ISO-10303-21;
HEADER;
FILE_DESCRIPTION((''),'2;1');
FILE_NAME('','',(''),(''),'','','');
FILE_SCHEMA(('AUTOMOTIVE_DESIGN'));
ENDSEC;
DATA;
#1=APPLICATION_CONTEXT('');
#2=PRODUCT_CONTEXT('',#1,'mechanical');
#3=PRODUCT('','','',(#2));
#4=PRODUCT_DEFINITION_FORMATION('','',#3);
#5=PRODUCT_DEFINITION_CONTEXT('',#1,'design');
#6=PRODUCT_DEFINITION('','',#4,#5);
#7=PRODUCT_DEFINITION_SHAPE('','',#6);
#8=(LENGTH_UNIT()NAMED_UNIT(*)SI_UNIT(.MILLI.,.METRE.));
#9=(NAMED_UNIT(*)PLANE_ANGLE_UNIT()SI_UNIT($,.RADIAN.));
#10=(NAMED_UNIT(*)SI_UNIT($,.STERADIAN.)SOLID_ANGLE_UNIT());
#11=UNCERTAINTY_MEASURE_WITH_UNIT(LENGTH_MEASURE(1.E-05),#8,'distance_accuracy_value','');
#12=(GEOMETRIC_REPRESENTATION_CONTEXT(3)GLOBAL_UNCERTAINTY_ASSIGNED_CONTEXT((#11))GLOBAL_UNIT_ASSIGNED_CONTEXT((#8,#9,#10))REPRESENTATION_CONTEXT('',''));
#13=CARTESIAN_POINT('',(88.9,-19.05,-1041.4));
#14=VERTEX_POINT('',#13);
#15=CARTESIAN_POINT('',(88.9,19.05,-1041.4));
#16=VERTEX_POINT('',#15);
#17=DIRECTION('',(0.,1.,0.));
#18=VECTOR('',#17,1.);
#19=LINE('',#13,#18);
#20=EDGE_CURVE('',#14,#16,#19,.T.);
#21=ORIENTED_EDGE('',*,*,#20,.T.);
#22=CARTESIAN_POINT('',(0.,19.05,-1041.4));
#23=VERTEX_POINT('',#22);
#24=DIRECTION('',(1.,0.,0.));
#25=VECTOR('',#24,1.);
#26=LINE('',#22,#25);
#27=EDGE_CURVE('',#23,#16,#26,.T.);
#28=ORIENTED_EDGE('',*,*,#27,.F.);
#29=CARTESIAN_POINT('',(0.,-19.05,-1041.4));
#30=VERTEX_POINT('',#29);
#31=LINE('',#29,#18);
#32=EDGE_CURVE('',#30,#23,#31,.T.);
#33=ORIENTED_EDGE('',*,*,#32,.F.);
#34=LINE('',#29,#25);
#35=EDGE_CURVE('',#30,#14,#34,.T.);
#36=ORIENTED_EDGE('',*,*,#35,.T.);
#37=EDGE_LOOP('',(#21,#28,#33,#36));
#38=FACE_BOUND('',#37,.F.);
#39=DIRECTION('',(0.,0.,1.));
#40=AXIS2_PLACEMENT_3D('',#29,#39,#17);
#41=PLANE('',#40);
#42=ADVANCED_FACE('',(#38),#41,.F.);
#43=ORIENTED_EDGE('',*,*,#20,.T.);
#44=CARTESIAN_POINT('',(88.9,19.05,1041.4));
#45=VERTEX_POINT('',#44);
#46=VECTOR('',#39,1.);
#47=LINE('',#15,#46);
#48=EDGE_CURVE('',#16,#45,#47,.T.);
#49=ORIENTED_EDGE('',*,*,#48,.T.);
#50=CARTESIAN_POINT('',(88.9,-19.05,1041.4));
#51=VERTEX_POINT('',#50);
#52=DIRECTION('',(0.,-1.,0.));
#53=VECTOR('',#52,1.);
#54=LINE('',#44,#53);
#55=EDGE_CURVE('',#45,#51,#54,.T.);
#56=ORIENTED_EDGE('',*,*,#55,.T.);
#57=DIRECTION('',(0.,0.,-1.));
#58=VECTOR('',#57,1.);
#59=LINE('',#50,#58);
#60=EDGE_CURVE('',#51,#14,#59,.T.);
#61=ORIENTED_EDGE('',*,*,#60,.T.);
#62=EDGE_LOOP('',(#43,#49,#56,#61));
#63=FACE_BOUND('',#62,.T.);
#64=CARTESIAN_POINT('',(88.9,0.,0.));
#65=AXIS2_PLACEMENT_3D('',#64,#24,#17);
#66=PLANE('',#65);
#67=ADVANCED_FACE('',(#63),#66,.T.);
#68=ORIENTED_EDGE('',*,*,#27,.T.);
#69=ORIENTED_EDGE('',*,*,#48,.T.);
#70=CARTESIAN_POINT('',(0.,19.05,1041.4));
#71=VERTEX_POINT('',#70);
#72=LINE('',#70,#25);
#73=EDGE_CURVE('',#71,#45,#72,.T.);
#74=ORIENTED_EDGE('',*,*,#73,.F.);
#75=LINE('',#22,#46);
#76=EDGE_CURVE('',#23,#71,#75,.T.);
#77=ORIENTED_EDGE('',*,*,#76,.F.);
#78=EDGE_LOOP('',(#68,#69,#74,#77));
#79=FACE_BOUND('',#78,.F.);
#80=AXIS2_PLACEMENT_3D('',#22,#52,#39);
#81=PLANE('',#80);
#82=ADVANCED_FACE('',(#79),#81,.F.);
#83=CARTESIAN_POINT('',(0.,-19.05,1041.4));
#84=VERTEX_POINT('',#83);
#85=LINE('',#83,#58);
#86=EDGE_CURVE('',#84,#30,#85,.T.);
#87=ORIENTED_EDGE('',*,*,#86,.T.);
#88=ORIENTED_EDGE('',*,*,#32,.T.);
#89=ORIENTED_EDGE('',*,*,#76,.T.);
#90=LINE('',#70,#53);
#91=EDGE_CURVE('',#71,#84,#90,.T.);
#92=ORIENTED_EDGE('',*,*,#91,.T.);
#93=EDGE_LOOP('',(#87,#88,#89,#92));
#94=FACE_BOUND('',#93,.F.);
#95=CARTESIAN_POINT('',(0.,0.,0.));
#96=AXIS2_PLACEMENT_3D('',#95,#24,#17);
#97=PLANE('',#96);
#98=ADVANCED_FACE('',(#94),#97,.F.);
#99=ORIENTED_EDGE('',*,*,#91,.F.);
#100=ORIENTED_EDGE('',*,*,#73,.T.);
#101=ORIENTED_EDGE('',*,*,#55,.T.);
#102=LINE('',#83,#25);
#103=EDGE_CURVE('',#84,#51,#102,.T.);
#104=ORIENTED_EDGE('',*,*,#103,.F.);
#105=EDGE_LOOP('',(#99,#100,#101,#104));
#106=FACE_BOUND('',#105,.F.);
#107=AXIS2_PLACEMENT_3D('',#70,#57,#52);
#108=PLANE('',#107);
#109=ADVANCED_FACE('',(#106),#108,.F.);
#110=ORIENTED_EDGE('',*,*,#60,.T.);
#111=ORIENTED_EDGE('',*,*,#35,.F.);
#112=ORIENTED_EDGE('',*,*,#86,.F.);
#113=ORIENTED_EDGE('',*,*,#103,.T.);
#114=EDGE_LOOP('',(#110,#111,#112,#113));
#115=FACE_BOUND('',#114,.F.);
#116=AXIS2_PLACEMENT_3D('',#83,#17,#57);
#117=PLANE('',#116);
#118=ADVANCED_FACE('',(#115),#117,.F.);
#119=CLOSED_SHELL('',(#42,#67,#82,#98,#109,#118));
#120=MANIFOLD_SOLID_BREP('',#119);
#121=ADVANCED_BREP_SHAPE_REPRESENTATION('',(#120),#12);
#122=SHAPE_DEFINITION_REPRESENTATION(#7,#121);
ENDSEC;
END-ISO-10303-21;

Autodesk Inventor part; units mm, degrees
ref_plane "YZ Plane" through (0, 0, 0) normal (1, 0, 0) x (0, 1, 0)
ref_plane "XZ Plane" through (0, 0, 0) normal (0, 1, 0) x (-1, 0, 0)
ref_plane "XY Plane" through (0, 0, 0) normal (0, 0, 1) x (1, 0, 0)
sketch "Sketch1" plane through (0, 0, 0) normal (1, 0, 0) x (0, 1, 0)
  line L0 (-19.05, 1041.4) -> (-19.05, -1041.4)
  line L1 (-19.05, -1041.4) -> (19.05, -1041.4)
  line L2 (19.05, -1041.4) -> (19.05, 1041.4)
  line L3 (19.05, 1041.4) -> (-19.05, 1041.4)
  line L4 (-19.05, 1041.4) -> (19.05, -1041.4) construction
  line L5 (-19.05, -1041.4) -> (19.05, 1041.4) construction
  point P0 (0, 0)
  dimension "d0" = 38.1
  dimension "d1" = 2082.8
extrude "Extrusion1" add sketch "Sketch1" along normal blind 88.9
properties part number "Lumber 2x4x80" material "Wood (Oak)"
